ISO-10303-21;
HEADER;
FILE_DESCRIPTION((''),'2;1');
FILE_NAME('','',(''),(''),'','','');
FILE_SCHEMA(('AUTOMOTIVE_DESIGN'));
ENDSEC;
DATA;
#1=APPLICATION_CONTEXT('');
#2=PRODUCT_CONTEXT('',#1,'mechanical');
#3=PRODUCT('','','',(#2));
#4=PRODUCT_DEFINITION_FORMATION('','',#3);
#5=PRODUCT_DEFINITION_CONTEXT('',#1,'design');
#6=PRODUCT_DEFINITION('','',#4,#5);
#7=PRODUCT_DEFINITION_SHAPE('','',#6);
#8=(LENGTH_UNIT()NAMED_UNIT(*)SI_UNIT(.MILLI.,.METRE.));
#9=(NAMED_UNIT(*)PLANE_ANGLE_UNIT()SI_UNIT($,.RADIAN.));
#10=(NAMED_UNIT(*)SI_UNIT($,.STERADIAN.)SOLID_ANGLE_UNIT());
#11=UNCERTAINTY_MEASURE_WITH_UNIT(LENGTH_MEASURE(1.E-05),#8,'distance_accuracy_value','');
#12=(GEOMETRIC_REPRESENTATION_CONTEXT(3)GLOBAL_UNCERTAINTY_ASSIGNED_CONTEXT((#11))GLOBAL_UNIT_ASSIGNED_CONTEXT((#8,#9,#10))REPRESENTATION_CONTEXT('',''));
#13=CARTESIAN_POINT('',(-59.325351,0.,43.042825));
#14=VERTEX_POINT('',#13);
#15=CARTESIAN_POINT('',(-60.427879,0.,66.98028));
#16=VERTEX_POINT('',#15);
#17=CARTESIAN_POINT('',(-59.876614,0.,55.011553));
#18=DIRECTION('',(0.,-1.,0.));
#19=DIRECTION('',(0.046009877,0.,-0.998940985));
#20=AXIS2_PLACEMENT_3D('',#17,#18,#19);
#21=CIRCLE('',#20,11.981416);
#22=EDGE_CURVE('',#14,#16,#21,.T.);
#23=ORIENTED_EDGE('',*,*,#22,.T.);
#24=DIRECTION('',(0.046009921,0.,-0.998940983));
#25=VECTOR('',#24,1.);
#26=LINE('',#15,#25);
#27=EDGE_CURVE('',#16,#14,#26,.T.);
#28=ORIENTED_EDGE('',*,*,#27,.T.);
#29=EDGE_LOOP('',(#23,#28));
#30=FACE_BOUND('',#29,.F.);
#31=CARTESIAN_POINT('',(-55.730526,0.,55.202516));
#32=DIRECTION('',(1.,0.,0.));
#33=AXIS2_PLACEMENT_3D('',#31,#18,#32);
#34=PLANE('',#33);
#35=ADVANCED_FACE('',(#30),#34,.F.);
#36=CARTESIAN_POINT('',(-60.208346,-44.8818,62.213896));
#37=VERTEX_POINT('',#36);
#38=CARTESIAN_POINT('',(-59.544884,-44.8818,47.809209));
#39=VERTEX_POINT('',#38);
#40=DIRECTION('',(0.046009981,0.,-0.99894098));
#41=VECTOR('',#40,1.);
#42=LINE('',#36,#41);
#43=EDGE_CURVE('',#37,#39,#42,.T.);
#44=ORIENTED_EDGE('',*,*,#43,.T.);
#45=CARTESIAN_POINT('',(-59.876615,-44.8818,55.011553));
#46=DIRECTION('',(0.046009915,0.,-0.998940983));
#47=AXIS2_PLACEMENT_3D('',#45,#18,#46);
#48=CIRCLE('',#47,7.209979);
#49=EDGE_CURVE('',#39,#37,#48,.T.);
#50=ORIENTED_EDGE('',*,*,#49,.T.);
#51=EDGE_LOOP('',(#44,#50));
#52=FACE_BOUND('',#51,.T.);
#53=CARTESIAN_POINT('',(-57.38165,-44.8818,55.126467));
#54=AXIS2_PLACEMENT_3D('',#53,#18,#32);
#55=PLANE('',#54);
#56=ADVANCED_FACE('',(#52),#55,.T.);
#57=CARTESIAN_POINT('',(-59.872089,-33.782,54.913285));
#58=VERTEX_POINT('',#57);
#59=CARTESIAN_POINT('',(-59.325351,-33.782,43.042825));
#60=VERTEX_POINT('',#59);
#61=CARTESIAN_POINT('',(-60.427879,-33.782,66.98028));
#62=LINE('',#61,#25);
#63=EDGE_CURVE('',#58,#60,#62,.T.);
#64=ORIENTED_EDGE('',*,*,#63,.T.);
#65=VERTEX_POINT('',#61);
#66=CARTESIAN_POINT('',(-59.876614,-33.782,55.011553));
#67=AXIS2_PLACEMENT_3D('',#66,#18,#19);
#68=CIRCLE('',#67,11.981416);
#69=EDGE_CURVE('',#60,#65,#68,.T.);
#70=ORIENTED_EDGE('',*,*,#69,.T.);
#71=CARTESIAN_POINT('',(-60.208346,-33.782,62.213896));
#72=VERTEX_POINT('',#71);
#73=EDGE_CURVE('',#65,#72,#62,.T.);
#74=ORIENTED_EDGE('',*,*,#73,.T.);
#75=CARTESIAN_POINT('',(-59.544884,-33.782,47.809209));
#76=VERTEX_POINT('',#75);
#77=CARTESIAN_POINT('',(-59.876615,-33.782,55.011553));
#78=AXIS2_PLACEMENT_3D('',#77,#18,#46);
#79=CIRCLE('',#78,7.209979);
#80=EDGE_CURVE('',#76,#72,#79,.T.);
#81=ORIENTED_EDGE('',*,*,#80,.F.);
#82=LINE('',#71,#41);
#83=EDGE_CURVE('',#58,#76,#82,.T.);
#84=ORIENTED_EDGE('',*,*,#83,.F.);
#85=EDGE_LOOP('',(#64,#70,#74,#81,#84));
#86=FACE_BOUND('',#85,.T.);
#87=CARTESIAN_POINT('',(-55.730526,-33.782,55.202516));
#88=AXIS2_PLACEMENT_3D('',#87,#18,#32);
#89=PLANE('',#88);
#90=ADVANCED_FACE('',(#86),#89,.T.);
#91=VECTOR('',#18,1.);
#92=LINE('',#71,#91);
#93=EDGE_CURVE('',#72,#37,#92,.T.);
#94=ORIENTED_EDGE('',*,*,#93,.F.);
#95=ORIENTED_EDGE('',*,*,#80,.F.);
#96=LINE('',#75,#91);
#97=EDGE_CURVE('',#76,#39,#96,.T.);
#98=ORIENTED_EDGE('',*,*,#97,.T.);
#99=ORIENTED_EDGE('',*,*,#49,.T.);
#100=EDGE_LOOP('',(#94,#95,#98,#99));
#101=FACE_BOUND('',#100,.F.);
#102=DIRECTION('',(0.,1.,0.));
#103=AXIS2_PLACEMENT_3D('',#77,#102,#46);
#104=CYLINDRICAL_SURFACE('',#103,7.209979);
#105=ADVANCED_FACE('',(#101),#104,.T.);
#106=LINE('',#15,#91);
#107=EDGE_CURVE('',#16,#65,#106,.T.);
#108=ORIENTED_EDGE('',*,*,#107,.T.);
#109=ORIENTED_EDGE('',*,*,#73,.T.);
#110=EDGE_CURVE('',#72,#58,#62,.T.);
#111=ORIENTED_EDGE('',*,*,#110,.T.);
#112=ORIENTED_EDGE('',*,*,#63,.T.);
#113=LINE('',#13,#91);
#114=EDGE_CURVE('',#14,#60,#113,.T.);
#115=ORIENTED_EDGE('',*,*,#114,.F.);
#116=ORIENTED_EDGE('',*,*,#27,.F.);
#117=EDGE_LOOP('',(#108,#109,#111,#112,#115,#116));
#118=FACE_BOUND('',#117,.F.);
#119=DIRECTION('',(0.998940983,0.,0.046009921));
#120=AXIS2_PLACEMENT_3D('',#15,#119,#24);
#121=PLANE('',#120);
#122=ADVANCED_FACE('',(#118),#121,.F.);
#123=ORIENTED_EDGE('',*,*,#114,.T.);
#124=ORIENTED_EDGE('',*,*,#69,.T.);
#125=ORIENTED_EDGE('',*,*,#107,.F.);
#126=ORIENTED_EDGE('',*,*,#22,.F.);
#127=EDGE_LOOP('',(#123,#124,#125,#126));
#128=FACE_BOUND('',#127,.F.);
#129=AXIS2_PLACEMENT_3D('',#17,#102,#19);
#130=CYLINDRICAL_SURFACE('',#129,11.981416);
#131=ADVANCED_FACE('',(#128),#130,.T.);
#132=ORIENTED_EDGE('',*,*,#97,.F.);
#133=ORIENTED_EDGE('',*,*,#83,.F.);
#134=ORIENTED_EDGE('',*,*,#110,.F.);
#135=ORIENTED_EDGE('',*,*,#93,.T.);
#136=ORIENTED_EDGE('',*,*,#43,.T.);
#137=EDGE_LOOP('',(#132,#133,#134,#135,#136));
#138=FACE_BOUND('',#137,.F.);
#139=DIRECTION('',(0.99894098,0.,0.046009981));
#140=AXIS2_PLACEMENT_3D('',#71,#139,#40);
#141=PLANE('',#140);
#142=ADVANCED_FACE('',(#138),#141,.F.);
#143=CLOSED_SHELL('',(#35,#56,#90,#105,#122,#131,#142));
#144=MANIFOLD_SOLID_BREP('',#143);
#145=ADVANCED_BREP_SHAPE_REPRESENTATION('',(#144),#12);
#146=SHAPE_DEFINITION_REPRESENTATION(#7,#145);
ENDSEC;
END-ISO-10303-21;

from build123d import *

# Parameters (mm, degrees)
F1_DEPTH = 33.782
F3_DEPTH = 11.0998


with BuildPart() as f1:
    # F0 (on Front) → F1 (new body)
    with BuildSketch(Plane.XZ):
        with BuildLine():
            Line((-60.427879, 66.98028), (-59.325351, 43.042825))
            ThreePointArc((-59.325351, 43.042825), (-47.907887, 55.562817), (-60.427879, 66.98028))
        make_face()
    extrude(amount=F1_DEPTH)

    # F2 (on face) → F3 (join)
    with BuildSketch(Plane.XZ.offset(33.782)):
        with BuildLine():
            Line((-60.208346, 62.213896), (-59.544884, 47.809209))
            ThreePointArc((-59.544884, 47.809209), (-52.674271, 55.343283), (-60.208346, 62.213896))
        make_face()
    extrude(amount=F3_DEPTH)


solid = f1.part
